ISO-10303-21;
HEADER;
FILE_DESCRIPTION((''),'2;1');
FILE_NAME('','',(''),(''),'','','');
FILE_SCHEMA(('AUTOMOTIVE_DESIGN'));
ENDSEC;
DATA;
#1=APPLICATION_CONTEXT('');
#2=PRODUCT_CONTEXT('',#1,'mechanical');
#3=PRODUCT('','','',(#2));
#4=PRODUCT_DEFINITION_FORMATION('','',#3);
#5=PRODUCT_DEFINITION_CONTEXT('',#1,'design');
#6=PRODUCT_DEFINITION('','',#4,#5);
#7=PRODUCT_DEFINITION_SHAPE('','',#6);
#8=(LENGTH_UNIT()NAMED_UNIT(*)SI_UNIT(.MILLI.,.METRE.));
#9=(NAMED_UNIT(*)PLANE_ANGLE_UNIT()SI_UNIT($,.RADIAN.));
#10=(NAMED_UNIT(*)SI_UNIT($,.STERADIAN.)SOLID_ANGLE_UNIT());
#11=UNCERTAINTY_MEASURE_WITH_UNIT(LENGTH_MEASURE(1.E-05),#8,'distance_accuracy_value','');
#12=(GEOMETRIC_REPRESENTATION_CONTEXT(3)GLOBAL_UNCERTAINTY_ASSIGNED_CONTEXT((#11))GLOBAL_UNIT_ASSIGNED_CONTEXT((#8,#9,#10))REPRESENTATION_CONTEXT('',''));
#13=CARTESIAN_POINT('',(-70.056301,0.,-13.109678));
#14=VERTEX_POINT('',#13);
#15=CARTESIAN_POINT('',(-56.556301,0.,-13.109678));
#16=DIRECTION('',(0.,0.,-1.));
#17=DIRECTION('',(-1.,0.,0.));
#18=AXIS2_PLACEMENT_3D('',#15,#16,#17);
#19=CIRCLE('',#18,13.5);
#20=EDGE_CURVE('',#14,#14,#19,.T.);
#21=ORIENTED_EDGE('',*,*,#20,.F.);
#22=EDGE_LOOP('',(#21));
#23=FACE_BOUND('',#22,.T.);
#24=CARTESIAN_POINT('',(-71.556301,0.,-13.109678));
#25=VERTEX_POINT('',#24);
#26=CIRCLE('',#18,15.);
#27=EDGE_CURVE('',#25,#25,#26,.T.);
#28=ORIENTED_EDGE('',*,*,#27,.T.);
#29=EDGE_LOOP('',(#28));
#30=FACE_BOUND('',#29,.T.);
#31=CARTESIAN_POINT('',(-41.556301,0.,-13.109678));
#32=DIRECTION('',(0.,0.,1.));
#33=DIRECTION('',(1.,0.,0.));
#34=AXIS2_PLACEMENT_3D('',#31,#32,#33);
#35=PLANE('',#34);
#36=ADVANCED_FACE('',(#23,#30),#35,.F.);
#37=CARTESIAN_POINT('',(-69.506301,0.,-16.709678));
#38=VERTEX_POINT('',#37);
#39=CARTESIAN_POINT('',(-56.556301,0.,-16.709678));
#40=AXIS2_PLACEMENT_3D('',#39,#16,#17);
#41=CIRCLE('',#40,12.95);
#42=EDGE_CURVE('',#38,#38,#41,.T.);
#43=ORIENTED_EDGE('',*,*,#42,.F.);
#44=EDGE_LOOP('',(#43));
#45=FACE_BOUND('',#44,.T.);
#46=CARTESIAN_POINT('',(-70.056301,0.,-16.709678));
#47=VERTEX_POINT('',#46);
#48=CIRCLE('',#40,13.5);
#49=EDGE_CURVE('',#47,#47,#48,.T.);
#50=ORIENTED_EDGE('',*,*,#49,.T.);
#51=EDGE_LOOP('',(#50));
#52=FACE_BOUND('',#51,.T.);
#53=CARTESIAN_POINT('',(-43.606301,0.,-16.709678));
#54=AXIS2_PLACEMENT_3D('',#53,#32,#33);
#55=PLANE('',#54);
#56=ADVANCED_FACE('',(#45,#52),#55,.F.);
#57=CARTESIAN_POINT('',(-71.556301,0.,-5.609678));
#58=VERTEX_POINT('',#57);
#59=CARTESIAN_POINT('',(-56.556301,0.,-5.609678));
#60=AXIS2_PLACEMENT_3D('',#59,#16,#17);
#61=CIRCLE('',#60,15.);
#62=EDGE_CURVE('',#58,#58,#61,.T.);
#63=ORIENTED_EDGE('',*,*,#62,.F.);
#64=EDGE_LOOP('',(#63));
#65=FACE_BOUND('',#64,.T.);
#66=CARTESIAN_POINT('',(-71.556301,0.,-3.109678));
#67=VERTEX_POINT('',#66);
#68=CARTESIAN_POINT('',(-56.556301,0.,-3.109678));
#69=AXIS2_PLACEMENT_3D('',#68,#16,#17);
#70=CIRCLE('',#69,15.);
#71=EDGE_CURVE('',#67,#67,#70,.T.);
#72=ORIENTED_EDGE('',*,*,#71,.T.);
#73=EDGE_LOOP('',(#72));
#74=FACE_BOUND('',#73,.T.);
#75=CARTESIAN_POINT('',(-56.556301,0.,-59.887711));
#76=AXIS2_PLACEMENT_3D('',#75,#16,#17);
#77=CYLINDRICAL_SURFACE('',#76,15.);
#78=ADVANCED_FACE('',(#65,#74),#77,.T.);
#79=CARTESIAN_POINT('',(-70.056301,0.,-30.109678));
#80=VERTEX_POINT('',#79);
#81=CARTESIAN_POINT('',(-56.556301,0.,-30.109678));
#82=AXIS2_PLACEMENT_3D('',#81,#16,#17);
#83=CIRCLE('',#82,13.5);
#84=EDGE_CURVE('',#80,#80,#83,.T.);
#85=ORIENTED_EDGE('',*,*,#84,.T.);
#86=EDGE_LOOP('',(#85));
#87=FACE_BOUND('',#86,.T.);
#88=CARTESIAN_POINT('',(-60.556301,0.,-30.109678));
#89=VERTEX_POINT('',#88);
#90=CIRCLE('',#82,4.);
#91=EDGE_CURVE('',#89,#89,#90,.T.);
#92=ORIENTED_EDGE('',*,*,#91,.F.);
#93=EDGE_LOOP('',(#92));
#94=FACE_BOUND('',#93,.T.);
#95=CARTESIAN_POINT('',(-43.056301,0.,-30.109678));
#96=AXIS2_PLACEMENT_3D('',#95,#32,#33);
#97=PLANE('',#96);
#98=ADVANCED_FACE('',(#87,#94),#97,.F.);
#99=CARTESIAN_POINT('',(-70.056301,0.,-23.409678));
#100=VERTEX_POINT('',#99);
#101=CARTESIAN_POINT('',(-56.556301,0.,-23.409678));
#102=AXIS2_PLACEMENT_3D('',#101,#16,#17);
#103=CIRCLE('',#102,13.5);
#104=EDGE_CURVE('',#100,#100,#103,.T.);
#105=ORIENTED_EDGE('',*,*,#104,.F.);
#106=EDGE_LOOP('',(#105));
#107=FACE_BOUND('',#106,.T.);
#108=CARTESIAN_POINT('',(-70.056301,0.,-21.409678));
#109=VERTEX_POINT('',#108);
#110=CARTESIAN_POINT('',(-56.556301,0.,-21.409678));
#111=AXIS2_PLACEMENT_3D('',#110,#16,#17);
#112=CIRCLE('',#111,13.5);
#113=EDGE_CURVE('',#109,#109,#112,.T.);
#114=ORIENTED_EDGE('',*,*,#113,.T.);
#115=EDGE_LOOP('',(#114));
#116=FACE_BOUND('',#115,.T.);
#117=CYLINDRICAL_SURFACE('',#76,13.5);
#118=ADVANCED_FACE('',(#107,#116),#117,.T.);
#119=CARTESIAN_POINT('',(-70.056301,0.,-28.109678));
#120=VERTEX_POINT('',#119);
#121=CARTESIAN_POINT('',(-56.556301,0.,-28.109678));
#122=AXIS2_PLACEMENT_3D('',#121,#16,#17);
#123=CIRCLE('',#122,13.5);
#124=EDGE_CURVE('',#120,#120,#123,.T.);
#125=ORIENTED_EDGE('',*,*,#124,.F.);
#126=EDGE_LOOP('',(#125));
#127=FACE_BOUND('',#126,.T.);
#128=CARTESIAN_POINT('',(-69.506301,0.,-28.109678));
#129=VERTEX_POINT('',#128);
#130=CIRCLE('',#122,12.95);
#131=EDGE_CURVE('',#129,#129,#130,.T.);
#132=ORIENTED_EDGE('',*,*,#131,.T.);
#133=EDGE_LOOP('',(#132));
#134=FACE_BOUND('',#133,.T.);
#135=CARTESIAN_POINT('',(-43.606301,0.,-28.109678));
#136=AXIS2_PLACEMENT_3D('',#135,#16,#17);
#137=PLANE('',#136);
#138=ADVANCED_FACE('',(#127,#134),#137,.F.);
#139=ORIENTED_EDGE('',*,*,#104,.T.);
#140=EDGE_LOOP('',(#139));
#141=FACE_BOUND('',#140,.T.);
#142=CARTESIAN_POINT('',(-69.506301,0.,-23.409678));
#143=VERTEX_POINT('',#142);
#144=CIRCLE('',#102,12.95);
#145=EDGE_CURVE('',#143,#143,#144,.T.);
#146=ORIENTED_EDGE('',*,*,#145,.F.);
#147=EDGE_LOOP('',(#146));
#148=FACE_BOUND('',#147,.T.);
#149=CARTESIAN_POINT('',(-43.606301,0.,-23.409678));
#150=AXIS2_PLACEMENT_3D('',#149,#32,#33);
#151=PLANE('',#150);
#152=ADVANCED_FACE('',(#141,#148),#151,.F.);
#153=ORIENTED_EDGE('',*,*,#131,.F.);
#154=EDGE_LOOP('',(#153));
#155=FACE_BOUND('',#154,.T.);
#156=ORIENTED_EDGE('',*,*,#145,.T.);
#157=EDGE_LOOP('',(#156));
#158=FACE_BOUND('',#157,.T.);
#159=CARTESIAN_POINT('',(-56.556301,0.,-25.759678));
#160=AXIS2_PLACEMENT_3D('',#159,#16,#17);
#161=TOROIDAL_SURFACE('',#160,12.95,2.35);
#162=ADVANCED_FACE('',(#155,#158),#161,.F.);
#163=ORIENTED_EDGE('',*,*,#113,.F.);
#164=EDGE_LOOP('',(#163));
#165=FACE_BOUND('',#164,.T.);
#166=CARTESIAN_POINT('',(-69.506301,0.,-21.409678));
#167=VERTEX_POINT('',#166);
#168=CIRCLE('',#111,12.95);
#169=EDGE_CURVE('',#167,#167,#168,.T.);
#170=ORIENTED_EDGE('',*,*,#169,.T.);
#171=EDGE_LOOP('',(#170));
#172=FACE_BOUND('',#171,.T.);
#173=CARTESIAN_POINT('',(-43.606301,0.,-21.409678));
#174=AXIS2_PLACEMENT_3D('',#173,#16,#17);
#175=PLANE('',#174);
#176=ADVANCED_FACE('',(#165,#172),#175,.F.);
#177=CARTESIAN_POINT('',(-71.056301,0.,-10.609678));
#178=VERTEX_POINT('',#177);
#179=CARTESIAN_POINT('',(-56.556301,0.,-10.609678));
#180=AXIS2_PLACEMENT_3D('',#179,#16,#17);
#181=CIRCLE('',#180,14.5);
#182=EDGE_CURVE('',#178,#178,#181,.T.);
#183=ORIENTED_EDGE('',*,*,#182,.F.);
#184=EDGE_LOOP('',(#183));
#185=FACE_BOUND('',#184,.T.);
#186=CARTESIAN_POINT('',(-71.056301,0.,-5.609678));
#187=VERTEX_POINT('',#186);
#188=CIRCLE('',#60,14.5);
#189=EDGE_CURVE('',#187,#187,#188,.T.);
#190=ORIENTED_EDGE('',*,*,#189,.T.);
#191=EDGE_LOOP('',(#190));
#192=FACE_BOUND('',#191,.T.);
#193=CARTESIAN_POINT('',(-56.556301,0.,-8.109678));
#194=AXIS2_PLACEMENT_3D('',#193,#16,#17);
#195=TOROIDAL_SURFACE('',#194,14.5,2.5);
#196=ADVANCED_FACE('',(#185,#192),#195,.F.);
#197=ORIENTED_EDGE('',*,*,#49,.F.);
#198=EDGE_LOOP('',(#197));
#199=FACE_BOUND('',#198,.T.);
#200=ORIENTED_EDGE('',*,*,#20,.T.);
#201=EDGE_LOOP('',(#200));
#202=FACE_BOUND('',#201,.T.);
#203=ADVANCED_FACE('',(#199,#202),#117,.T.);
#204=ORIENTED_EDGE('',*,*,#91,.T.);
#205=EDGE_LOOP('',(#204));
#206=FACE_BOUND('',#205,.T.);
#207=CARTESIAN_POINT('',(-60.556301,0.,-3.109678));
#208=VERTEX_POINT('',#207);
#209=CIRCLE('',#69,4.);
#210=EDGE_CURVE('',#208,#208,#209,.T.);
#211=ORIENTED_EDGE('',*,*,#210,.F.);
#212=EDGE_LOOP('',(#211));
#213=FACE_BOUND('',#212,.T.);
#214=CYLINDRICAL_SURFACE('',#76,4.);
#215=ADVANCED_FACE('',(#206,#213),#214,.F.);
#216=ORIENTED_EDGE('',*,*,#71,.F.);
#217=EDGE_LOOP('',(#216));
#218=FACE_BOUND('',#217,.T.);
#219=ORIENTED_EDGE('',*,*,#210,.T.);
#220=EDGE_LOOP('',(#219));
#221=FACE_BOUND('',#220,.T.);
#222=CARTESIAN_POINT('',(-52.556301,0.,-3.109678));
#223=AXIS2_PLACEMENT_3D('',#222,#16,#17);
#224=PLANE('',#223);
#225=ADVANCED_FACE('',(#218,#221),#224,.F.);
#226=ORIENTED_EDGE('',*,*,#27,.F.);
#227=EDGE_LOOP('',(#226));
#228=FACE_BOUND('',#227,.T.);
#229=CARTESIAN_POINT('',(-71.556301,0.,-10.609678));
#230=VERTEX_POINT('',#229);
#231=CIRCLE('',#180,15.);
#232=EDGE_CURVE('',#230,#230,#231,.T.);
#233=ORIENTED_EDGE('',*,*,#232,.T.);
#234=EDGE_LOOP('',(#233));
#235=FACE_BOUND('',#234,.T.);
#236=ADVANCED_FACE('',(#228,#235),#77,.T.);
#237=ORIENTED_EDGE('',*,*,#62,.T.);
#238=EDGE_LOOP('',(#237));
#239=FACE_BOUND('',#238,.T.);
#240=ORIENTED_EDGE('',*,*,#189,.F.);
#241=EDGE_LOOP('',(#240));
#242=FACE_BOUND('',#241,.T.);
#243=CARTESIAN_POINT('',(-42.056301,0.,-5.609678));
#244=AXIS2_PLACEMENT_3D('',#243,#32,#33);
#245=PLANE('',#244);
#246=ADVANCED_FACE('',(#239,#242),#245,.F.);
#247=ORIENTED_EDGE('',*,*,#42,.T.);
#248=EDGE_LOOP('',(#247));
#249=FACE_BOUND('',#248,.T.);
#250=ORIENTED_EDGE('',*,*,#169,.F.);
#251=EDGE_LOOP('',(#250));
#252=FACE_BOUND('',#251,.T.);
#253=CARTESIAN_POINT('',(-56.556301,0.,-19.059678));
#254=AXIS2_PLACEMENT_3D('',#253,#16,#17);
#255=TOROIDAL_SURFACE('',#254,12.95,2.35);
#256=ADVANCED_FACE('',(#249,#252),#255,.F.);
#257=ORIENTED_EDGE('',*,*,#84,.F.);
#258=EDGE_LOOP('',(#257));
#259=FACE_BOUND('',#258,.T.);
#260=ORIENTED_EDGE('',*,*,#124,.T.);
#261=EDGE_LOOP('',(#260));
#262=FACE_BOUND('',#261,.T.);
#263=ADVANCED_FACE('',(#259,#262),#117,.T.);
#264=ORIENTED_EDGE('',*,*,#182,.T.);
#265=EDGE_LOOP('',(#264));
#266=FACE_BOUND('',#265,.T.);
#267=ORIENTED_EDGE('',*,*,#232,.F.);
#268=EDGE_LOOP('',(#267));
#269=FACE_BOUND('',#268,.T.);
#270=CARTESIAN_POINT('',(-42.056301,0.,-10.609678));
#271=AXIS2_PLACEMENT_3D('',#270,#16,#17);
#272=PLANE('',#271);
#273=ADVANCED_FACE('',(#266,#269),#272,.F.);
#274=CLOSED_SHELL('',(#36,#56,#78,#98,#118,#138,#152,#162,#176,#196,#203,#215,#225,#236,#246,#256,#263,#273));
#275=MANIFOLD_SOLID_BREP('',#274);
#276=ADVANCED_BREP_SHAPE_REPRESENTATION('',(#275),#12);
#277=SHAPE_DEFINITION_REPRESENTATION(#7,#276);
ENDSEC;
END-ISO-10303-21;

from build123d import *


with BuildPart() as part:
    # Sketch1 → Revolve1 (revolve)
    with BuildSketch(Plane(origin=(0, 0, 0), x_dir=(1, 0, 0), z_dir=(0, 1, 0)), mode=Mode.PRIVATE) as revolve1_sk:
        with BuildLine():
            Line((-52.556301458, 30.109678387), (-52.556301458, 3.109678387))
            Line((-52.556301458, 3.109678387), (-41.556301458, 3.109678387))
            Line((-41.556301458, 3.109678387), (-41.556301458, 5.609678387))
            Line((-41.556301458, 5.609678387), (-42.056301458, 5.609678387))
            ThreePointArc((-42.056301458, 5.609678387), (-44.556301458, 8.109678387), (-42.056301458, 10.609678387))
            Line((-42.056301458, 10.609678387), (-41.556301458, 10.609678387))
            Line((-41.556301458, 10.609678387), (-41.556301458, 13.109678387))
            Line((-41.556301458, 13.109678387), (-43.056301458, 13.109678387))
            Line((-43.056301458, 13.109678387), (-43.056301458, 16.709678387))
            Line((-43.056301458, 16.709678387), (-43.606301458, 16.709678387))
            ThreePointArc((-43.606301458, 16.709678387), (-45.956301458, 19.059678387), (-43.606301458, 21.409678387))
            Line((-43.606301458, 21.409678387), (-43.056301458, 21.409678387))
            Line((-43.056301458, 21.409678387), (-43.056301458, 23.409678387))
            Line((-43.056301458, 23.409678387), (-43.606301458, 23.409678387))
            ThreePointArc((-43.606301458, 23.409678387), (-45.956301458, 25.759678387), (-43.606301458, 28.109678387))
            Line((-43.606301458, 28.109678387), (-43.056301458, 28.109678387))
            Line((-43.056301458, 28.109678387), (-43.056301458, 30.109678387))
            Line((-43.056301458, 30.109678387), (-52.556301458, 30.109678387))
        make_face()
    revolve(revolve1_sk.sketch.rotate(Axis((-56.556301458, 0, -59.887711331), (0, 0, 1)), 180), axis=Axis((-56.556301458, 0, -59.887711331), (0, 0, 1)))


solid = part.part
